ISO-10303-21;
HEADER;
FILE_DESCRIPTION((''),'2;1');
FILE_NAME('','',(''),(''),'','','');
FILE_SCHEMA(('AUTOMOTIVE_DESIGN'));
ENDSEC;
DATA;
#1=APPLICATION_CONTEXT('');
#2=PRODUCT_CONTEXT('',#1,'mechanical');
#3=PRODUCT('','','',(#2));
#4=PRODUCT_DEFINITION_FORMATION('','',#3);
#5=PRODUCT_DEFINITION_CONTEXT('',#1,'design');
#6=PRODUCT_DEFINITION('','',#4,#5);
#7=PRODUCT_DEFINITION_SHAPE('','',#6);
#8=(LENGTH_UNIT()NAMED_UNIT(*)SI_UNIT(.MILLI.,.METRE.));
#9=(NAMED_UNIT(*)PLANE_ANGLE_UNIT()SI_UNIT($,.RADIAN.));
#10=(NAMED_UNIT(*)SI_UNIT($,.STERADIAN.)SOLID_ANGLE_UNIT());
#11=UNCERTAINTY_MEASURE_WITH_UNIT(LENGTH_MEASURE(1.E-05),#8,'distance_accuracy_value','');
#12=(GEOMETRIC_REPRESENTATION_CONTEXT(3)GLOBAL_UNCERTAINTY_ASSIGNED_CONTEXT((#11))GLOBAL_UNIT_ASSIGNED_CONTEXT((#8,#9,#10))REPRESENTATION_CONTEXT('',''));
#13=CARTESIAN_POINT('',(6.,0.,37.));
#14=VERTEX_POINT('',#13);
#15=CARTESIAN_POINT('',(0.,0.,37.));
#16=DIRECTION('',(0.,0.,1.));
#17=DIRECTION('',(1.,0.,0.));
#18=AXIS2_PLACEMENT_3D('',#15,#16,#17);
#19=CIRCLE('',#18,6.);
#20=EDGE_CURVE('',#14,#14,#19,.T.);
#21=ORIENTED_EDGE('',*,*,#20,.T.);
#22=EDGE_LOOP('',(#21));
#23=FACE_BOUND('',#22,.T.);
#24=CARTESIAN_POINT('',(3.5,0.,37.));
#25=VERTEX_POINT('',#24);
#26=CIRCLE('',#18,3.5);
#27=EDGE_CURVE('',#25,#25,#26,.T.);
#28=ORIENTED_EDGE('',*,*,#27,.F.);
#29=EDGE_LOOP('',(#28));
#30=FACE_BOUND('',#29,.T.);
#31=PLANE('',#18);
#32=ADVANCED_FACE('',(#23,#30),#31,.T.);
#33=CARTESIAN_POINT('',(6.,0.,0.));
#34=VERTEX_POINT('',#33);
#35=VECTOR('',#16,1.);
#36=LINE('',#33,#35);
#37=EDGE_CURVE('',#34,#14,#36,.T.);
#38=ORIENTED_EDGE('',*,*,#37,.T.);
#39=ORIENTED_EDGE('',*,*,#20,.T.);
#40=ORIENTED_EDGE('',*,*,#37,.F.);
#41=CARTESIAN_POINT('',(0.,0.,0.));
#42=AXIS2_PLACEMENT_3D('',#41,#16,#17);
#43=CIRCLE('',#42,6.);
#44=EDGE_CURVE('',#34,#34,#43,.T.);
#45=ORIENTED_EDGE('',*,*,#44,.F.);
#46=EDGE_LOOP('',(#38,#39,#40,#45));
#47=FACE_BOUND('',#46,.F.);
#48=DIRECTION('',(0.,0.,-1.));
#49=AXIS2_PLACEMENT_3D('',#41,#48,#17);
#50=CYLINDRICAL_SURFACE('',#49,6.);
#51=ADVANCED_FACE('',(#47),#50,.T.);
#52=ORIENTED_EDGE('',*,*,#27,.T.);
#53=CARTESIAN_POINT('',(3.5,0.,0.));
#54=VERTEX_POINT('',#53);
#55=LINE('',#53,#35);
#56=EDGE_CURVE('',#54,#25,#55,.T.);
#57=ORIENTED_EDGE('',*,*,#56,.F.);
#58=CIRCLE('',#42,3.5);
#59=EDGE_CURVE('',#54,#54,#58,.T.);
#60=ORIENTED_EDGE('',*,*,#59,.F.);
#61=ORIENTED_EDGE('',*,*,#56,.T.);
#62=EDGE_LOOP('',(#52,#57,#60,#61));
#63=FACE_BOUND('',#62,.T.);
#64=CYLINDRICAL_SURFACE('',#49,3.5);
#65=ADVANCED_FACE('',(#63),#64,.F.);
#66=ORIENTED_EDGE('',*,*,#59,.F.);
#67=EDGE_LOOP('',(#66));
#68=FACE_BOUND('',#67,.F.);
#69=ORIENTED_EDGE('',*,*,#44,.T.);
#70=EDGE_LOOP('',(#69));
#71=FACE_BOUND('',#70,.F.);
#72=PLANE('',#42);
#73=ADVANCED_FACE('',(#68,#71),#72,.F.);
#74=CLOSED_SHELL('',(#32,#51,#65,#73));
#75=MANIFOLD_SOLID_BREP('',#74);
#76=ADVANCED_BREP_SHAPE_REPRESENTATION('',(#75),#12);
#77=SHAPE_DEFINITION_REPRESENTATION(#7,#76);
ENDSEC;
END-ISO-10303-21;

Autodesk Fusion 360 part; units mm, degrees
sketch "Sketch1" plane through (0, 0, 0) normal (0, 0, 1) x (1, 0, 0)
  circle A0 centre (0, 0) radius 3.5
  circle A1 centre (0, 0) radius 6
  dimension "d1" = 7
  dimension "d2" = 12
extrude "Extrude1" add sketch "Sketch1" along normal blind 37
